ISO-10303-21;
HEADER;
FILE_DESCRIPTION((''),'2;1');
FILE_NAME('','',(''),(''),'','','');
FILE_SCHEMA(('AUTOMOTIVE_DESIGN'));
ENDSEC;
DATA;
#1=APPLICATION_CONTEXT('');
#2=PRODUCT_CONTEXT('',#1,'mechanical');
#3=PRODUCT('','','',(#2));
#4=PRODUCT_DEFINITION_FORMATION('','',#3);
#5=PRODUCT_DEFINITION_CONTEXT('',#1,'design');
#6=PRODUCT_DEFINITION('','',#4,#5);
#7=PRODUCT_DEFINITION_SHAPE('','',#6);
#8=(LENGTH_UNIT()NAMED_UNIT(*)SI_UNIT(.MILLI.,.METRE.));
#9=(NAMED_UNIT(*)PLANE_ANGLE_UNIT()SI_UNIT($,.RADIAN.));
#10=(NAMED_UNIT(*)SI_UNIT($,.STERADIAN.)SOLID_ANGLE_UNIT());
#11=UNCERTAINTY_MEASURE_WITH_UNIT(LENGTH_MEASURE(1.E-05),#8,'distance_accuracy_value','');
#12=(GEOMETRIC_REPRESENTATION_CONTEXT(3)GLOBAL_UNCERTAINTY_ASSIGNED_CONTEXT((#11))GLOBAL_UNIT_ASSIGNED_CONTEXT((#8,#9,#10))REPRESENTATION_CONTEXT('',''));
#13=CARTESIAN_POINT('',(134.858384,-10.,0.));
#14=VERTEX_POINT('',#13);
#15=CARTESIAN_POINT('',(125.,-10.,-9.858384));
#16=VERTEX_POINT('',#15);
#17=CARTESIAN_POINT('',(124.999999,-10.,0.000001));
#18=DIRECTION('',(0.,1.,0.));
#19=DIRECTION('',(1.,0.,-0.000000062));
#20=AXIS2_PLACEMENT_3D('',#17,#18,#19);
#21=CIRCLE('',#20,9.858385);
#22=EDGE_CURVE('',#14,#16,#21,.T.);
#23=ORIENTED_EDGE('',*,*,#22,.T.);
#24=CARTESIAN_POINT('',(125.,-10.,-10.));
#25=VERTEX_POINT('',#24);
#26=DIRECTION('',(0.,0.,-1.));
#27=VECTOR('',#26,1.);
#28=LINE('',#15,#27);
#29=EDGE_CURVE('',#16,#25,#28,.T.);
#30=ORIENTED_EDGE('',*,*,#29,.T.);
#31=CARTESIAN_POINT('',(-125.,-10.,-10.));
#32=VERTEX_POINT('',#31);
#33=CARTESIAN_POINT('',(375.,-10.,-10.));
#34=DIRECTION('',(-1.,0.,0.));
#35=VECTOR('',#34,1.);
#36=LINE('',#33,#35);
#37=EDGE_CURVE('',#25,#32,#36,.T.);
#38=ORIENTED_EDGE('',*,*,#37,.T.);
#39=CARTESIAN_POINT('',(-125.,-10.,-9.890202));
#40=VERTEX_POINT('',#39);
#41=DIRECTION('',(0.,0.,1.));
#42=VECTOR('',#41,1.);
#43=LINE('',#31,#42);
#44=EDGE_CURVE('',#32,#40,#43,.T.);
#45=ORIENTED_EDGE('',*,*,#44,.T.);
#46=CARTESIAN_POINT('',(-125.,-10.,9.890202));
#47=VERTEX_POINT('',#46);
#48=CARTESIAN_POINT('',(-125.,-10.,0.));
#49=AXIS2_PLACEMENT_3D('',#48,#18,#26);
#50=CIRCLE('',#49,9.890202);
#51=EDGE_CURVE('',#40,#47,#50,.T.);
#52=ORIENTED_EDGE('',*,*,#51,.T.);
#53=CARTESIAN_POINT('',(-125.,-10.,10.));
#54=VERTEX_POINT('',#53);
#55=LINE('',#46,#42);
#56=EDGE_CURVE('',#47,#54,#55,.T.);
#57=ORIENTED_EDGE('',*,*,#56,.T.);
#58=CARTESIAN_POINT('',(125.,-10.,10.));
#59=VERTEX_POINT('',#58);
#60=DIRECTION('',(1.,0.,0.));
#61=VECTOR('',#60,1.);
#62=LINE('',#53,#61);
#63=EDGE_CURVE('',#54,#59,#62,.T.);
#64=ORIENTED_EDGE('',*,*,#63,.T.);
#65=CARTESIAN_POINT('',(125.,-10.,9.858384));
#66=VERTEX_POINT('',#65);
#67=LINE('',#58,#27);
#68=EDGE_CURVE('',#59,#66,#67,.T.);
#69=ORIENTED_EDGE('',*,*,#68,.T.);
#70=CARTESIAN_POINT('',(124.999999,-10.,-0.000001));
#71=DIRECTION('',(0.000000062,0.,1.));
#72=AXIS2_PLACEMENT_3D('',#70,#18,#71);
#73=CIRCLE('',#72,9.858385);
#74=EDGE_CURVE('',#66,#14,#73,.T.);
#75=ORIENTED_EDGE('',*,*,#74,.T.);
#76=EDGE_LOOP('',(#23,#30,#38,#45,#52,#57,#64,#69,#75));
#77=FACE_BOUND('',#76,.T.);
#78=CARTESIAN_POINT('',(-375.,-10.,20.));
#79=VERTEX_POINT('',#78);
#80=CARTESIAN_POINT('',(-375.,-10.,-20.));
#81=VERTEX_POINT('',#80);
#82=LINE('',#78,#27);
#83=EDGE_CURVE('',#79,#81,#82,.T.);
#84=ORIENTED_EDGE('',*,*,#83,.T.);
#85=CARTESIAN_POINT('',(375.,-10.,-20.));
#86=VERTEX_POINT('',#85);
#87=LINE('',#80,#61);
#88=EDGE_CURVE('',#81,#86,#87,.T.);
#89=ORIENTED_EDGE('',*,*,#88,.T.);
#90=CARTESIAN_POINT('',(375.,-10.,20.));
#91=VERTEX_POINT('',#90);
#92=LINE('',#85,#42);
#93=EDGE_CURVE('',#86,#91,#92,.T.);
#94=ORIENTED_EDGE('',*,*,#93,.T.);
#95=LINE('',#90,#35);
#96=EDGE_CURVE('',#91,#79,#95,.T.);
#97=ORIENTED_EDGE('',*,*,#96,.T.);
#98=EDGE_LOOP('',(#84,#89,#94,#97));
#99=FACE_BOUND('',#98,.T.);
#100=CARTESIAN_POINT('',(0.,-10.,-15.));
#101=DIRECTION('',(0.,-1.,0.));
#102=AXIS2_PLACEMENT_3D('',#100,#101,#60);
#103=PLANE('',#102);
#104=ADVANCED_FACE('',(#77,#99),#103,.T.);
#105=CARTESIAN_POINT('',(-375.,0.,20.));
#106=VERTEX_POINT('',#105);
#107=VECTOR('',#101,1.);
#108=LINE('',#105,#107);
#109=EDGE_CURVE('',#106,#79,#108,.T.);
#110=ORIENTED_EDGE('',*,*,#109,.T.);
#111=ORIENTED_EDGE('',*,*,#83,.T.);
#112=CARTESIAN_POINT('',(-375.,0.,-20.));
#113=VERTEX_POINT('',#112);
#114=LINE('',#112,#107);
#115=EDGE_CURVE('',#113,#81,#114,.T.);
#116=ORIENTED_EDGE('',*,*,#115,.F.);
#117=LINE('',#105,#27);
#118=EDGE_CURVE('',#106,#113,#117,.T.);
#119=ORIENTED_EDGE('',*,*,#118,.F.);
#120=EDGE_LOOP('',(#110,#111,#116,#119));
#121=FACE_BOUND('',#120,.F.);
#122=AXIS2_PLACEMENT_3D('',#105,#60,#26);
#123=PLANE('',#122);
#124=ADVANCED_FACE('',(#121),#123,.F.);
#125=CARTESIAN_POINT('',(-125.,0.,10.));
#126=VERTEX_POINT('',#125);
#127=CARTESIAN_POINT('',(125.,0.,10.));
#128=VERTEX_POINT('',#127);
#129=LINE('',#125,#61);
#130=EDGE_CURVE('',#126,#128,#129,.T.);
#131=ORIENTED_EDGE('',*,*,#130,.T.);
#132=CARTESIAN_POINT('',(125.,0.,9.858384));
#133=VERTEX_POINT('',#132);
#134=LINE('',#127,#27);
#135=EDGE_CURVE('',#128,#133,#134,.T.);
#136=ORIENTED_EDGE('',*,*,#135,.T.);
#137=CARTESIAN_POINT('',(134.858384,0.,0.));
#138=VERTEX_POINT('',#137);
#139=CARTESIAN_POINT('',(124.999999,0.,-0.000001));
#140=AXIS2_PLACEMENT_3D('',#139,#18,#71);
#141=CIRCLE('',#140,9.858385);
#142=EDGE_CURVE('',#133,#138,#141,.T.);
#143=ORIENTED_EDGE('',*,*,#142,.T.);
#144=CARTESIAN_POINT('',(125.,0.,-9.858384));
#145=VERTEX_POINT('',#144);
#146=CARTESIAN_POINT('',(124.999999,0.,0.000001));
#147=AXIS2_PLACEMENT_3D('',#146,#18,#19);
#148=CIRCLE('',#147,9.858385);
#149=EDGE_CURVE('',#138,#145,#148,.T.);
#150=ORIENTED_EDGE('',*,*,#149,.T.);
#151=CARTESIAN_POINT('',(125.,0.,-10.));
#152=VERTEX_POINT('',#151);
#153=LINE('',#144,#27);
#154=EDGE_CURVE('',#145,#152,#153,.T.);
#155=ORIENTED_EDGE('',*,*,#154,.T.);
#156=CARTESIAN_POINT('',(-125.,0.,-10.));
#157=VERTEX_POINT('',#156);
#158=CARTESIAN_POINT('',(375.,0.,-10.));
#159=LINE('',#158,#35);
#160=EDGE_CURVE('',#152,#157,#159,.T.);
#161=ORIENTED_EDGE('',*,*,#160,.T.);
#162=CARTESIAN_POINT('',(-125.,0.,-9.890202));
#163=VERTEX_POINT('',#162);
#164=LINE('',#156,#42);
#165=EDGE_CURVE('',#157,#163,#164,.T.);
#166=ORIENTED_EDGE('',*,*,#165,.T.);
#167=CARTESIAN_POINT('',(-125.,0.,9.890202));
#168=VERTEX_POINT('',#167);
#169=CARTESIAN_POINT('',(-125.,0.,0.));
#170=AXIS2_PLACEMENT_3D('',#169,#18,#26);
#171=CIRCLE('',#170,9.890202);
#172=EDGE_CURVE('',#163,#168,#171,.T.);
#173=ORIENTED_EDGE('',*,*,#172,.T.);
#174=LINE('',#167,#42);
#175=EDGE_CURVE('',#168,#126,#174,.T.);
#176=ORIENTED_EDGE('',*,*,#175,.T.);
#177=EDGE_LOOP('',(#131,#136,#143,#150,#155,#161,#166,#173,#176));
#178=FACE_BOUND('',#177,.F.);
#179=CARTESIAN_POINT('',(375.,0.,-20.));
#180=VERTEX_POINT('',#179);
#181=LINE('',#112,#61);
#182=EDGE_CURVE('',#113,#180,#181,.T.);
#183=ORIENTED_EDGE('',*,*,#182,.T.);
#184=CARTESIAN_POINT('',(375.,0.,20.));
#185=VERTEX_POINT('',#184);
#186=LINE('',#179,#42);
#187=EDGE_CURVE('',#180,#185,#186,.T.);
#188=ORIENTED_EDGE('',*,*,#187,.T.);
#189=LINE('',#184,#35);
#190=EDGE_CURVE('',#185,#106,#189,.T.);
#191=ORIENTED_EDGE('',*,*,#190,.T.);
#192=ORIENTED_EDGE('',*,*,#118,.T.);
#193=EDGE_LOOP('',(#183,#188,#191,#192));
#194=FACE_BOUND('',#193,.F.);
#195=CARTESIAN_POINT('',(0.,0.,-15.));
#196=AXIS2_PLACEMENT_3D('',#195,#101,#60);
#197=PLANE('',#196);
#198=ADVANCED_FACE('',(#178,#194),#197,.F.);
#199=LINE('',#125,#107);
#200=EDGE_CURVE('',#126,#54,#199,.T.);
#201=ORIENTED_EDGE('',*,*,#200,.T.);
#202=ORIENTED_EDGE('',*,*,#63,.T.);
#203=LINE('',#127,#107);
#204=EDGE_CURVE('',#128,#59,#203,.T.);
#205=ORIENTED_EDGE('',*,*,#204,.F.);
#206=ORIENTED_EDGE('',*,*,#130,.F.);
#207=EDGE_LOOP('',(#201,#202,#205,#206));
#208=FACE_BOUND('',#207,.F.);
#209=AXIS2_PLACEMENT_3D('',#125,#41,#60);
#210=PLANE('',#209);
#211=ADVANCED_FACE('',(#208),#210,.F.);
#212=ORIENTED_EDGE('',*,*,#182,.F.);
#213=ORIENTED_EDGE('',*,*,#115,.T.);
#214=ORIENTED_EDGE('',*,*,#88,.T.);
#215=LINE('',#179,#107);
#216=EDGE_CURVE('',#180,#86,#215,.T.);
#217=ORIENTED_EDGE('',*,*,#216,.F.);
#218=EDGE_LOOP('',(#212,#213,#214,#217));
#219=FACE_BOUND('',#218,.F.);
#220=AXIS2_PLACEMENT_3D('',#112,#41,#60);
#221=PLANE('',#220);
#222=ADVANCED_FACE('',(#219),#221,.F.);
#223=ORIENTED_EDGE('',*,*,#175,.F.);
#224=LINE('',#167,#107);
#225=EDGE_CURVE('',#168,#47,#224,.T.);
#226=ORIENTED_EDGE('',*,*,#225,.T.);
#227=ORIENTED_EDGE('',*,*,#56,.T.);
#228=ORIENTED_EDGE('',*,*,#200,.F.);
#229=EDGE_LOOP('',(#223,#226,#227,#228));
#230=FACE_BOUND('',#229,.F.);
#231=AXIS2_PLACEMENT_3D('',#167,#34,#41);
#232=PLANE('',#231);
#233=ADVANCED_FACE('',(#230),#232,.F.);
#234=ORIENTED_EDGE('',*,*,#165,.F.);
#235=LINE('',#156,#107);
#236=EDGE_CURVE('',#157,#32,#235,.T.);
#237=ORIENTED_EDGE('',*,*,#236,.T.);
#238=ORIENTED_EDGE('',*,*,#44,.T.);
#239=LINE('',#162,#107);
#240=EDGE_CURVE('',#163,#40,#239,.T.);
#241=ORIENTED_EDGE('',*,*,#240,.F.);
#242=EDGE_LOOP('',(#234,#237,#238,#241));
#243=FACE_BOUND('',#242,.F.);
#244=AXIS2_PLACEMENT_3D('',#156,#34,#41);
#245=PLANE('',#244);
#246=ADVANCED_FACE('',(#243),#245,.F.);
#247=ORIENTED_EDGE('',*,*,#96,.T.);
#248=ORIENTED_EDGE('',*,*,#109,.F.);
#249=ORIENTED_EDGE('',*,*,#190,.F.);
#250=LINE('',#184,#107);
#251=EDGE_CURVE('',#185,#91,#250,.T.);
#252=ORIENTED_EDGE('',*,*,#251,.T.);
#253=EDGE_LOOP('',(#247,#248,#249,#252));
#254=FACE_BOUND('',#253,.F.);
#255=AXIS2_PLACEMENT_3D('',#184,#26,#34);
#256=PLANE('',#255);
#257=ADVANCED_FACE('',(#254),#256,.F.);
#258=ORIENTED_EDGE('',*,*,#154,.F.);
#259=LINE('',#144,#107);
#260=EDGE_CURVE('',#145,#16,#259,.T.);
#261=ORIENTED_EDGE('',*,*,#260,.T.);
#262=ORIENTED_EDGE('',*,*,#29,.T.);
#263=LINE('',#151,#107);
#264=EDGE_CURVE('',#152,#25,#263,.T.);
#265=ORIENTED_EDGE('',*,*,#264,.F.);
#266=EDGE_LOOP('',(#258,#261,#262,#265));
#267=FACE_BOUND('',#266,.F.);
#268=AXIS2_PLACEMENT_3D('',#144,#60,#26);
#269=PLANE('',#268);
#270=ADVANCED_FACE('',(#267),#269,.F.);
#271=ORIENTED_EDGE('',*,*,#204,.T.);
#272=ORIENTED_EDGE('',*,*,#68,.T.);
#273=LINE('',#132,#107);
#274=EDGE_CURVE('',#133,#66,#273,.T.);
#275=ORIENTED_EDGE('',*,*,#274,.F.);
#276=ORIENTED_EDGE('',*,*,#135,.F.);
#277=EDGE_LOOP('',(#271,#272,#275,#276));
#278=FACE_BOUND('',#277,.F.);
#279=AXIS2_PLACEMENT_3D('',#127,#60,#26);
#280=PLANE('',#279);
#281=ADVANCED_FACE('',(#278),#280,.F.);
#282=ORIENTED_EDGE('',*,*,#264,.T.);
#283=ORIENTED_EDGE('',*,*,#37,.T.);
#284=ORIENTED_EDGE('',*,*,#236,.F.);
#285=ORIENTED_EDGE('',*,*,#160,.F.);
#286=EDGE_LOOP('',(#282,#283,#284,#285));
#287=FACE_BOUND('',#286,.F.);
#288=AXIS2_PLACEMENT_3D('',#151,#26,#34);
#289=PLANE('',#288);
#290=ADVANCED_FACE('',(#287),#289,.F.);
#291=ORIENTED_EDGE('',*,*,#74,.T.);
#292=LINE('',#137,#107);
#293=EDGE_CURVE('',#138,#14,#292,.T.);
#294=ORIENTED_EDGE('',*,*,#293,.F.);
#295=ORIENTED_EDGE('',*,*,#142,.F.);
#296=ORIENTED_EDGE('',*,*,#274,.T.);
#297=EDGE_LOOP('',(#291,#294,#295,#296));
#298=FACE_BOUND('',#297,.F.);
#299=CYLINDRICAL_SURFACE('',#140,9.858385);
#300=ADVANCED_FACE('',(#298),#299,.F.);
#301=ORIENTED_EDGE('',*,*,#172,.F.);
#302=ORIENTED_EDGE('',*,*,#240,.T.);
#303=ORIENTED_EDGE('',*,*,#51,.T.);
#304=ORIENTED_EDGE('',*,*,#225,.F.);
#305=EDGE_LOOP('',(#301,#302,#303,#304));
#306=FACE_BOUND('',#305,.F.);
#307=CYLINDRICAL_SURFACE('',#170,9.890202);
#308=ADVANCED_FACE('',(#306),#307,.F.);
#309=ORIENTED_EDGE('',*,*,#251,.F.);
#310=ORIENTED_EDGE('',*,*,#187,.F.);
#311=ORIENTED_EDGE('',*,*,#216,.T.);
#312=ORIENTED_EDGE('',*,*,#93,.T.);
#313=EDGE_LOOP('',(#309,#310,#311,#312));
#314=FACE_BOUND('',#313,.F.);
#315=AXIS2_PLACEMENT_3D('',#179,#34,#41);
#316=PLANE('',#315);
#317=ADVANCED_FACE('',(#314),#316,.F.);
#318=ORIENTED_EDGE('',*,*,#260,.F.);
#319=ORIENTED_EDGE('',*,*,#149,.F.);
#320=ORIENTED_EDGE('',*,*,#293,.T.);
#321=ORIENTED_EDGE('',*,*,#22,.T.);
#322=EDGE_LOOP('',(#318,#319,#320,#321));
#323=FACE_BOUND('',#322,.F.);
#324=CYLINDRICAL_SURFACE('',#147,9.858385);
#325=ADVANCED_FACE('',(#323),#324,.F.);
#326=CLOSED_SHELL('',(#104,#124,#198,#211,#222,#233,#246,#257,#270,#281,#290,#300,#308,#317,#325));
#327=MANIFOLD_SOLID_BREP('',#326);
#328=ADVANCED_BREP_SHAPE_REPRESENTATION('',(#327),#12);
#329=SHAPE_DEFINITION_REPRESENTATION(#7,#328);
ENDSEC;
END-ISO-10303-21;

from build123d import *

# Parameters (mm, degrees)
F1_DEPTH = 10


with BuildPart() as f1:
    # F0 (on Front) → F1 (new body)
    with BuildSketch(Plane.XZ):
        Polygon((-375, -20), (375, -20), (375, -10), (125, -10), (-125, -10), (-375, -10), align=None)
        with BuildLine():
            Line((125, -10), (375, -10))
            Line((375, -10), (375, 10))
            Line((375, 10), (125, 10))
            Line((125, 10), (125, 9.858384))
            ThreePointArc((125, 9.858384), (131.97093, 6.97093), (134.858384, 0))
            ThreePointArc((134.858384, 0), (131.97093, -6.97093), (125, -9.858384))
            Line((125, -9.858384), (125, -10))
        make_face()
        with BuildLine():
            Line((-375, 10), (-375, -10))
            Line((-375, -10), (-125, -10))
            Line((-125, -10), (-125, -9.890202))
            ThreePointArc((-125, -9.890202), (-134.890202, 0), (-125, 9.890202))
            Line((-125, 9.890202), (-125, 10))
            Line((-125, 10), (-375, 10))
        make_face()
        Polygon((125, 10), (375, 10), (375, 20), (-375, 20), (-375, 10), (-125, 10), align=None)
    extrude(amount=F1_DEPTH)


solid = f1.part
